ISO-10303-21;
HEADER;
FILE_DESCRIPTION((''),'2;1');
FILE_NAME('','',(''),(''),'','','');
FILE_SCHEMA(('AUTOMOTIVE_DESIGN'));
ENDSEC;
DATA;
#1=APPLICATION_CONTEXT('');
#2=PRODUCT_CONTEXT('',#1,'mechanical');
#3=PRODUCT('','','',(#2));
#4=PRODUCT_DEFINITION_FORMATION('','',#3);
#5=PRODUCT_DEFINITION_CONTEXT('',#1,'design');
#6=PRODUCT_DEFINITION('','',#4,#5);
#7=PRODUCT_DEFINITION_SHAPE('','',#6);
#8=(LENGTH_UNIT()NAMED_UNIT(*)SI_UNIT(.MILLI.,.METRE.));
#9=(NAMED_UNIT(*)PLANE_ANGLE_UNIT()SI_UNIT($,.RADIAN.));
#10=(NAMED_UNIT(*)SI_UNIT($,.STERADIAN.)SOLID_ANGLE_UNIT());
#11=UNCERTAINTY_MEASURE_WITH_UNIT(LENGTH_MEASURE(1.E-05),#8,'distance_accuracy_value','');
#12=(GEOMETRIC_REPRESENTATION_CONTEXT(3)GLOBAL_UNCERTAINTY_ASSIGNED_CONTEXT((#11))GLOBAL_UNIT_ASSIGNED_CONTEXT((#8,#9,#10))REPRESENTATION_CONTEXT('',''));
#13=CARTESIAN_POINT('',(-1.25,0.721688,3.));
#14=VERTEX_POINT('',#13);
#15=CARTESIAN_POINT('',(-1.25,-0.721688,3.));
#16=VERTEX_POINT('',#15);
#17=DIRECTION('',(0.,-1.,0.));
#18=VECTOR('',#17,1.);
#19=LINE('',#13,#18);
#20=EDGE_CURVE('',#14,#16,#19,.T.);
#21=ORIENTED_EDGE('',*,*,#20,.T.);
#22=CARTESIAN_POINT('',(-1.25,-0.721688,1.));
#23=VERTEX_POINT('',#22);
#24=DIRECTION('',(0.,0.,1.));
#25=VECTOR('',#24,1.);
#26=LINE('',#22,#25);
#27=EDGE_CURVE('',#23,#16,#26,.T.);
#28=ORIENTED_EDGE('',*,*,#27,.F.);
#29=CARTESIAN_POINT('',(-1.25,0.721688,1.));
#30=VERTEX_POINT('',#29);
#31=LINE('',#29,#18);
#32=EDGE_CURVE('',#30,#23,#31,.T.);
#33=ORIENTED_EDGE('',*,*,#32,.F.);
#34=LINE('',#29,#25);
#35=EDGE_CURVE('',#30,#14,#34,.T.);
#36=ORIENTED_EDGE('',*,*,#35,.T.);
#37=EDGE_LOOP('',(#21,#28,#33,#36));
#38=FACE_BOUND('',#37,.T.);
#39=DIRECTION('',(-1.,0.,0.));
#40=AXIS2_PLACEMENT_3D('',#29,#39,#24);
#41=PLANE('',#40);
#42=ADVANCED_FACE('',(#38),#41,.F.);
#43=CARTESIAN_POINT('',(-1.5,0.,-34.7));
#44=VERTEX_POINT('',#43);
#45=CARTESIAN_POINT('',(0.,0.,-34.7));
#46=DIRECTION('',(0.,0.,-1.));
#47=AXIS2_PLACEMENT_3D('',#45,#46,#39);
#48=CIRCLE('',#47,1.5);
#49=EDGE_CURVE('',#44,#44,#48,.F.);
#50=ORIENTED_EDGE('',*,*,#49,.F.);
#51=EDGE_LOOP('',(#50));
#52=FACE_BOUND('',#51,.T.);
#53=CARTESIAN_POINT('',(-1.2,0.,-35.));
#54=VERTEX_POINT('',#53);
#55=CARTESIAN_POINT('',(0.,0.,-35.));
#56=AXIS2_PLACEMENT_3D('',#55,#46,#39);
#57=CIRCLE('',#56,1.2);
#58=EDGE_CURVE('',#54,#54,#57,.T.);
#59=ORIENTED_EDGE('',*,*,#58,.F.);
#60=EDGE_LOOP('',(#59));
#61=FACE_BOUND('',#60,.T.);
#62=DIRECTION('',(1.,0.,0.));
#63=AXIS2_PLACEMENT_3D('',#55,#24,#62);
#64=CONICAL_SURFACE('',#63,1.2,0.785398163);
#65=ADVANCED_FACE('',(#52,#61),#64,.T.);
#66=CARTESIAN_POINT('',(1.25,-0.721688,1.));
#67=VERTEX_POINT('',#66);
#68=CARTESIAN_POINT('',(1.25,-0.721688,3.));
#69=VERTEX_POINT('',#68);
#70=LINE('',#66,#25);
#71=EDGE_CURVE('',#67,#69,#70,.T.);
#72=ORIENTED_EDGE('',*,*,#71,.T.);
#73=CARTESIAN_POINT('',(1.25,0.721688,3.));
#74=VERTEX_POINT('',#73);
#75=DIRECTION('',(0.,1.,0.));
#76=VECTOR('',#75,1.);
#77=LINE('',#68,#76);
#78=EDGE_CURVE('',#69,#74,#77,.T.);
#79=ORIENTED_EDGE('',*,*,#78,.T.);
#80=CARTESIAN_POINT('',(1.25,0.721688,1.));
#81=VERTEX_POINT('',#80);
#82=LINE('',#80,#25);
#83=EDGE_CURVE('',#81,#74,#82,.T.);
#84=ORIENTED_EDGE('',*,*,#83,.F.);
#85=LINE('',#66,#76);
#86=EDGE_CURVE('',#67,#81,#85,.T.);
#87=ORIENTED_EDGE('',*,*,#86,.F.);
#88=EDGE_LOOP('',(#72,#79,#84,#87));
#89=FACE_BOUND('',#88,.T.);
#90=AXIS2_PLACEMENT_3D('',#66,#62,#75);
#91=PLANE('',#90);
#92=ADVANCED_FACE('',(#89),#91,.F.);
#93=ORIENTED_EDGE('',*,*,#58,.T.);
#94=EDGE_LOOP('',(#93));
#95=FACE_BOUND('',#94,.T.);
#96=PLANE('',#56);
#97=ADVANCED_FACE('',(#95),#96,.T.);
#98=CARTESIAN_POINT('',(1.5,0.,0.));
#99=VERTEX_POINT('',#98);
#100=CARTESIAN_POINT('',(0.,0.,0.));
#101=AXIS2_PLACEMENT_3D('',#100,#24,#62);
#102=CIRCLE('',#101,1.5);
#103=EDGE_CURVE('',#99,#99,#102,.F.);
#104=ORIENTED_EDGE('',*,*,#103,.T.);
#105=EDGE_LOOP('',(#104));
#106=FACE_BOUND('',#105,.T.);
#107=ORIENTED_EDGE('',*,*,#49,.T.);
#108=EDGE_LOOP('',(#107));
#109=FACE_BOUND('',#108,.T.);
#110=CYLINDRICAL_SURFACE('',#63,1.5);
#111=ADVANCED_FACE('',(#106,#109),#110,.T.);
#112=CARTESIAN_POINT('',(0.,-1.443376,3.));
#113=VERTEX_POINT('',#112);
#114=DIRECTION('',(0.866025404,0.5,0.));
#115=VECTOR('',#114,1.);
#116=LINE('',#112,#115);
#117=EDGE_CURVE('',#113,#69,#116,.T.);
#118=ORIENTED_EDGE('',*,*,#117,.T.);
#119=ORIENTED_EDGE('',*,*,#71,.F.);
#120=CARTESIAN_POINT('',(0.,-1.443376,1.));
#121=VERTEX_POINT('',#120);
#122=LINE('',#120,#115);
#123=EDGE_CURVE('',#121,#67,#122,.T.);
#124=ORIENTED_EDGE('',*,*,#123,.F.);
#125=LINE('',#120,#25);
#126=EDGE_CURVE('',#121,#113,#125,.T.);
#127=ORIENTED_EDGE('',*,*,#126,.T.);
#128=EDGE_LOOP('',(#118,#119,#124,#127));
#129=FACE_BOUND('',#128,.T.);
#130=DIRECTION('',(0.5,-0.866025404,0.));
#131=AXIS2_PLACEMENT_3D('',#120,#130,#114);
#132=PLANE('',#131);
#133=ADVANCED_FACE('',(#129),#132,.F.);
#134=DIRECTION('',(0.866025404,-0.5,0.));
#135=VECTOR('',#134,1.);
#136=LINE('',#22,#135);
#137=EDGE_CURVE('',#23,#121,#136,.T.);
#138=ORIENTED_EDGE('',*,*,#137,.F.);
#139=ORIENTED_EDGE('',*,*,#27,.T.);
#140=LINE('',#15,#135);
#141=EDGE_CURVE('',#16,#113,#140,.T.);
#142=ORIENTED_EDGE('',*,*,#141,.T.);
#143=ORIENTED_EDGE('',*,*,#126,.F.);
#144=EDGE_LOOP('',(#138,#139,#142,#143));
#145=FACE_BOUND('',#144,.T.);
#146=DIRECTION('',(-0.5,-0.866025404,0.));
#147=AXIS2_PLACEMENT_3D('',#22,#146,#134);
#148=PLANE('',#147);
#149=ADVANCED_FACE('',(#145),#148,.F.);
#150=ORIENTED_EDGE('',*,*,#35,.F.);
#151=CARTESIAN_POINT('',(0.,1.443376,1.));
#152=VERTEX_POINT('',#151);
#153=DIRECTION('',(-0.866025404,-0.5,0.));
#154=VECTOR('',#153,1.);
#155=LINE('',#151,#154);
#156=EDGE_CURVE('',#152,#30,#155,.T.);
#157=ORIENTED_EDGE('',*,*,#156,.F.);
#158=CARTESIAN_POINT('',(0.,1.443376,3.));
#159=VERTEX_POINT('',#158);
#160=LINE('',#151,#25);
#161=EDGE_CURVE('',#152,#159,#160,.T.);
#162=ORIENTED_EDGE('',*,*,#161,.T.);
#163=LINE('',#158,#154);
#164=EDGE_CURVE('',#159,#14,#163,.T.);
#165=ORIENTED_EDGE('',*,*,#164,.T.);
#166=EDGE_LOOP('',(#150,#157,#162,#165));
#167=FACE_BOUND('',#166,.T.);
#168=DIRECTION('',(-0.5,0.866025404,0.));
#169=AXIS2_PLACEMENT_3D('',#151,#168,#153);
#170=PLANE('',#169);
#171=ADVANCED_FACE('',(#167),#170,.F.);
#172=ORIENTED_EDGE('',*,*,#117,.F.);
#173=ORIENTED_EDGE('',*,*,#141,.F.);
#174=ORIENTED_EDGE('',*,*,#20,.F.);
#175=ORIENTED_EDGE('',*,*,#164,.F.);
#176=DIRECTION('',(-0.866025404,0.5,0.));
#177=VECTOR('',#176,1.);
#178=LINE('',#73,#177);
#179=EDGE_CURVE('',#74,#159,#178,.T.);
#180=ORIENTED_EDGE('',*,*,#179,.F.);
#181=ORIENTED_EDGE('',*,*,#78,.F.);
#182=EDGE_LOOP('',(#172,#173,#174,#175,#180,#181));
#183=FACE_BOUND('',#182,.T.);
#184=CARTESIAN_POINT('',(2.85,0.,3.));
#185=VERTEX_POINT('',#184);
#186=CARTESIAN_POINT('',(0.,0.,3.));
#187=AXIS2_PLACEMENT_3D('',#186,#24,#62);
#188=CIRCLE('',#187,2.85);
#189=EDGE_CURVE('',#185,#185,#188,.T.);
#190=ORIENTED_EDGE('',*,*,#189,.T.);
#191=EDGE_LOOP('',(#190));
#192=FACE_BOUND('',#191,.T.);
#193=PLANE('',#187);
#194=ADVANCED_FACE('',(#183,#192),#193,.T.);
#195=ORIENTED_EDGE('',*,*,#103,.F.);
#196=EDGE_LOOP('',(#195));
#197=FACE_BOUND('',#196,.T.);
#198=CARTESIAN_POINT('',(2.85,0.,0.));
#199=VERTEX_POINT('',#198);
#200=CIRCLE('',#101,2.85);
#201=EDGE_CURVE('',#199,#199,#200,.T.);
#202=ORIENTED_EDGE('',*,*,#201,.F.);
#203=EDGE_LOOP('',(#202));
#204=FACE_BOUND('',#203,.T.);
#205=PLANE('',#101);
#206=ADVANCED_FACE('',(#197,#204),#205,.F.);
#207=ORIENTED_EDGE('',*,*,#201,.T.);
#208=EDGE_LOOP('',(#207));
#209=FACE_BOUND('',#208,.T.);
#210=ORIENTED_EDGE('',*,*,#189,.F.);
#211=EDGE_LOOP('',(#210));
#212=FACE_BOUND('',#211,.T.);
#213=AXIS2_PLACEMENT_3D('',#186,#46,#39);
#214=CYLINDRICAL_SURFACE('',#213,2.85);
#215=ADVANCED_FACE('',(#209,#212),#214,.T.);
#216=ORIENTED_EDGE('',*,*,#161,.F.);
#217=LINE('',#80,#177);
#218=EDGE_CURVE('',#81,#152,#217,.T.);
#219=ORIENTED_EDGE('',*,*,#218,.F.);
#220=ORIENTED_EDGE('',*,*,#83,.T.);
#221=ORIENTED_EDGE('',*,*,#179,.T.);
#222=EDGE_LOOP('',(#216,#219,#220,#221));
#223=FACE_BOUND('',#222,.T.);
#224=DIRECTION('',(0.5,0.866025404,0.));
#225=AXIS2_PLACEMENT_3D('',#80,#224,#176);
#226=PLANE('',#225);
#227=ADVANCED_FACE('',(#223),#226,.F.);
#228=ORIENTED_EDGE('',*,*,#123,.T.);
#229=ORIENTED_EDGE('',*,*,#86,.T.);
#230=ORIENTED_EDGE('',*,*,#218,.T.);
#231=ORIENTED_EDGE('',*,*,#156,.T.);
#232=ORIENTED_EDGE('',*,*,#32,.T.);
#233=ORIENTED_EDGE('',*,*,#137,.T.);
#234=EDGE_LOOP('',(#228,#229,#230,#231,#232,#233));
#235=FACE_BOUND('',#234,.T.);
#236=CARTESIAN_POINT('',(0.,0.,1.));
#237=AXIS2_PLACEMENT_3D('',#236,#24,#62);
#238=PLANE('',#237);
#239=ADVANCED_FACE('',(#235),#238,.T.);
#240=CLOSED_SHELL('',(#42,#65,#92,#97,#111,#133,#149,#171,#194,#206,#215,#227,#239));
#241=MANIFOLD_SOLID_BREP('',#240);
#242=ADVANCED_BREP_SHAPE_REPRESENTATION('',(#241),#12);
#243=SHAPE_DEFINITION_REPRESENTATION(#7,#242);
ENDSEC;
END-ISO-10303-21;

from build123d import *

# Parameters (mm, degrees)
SKETCH1_R           = 2.85
BOSS_EXTRUDE1_DEPTH = 3
SKETCH2_R           = 1.5
BOSS_EXTRUDE2_DEPTH = 35
CHAMFER1_SIZE       = 0.3
CUT_EXTRUDE1_DEPTH  = 2


with BuildPart() as part:
    # Sketch1 → Boss-Extrude1 (new body)
    with BuildSketch(Plane.XY):
        Circle(SKETCH1_R)
    extrude(amount=BOSS_EXTRUDE1_DEPTH)

    # Sketch2 → Boss-Extrude2 (add)
    with BuildSketch(Plane(origin=(0, 0, 0), x_dir=(-1, 0, 0), z_dir=(0, 0, -1))):
        Circle(SKETCH2_R)
    extrude(amount=BOSS_EXTRUDE2_DEPTH)

    # Chamfer1
    chamfer1_edges = [part.edges().sort_by_distance(p)[0] for p in [
        (1.5, 0, -35),
    ]]
    chamfer(chamfer1_edges, length=CHAMFER1_SIZE)

    # Sketch3 → Cut-Extrude1 (cut)
    with BuildSketch(Plane.XY.offset(3)):
        Polygon((0, 1.443375673), (-1.25, 0.721687836), (-1.25, -0.721687836), (0, -1.443375673), (1.25, -0.721687836), (1.25, 0.721687836), align=None)
    extrude(amount=-CUT_EXTRUDE1_DEPTH, mode=Mode.SUBTRACT)


solid = part.part
